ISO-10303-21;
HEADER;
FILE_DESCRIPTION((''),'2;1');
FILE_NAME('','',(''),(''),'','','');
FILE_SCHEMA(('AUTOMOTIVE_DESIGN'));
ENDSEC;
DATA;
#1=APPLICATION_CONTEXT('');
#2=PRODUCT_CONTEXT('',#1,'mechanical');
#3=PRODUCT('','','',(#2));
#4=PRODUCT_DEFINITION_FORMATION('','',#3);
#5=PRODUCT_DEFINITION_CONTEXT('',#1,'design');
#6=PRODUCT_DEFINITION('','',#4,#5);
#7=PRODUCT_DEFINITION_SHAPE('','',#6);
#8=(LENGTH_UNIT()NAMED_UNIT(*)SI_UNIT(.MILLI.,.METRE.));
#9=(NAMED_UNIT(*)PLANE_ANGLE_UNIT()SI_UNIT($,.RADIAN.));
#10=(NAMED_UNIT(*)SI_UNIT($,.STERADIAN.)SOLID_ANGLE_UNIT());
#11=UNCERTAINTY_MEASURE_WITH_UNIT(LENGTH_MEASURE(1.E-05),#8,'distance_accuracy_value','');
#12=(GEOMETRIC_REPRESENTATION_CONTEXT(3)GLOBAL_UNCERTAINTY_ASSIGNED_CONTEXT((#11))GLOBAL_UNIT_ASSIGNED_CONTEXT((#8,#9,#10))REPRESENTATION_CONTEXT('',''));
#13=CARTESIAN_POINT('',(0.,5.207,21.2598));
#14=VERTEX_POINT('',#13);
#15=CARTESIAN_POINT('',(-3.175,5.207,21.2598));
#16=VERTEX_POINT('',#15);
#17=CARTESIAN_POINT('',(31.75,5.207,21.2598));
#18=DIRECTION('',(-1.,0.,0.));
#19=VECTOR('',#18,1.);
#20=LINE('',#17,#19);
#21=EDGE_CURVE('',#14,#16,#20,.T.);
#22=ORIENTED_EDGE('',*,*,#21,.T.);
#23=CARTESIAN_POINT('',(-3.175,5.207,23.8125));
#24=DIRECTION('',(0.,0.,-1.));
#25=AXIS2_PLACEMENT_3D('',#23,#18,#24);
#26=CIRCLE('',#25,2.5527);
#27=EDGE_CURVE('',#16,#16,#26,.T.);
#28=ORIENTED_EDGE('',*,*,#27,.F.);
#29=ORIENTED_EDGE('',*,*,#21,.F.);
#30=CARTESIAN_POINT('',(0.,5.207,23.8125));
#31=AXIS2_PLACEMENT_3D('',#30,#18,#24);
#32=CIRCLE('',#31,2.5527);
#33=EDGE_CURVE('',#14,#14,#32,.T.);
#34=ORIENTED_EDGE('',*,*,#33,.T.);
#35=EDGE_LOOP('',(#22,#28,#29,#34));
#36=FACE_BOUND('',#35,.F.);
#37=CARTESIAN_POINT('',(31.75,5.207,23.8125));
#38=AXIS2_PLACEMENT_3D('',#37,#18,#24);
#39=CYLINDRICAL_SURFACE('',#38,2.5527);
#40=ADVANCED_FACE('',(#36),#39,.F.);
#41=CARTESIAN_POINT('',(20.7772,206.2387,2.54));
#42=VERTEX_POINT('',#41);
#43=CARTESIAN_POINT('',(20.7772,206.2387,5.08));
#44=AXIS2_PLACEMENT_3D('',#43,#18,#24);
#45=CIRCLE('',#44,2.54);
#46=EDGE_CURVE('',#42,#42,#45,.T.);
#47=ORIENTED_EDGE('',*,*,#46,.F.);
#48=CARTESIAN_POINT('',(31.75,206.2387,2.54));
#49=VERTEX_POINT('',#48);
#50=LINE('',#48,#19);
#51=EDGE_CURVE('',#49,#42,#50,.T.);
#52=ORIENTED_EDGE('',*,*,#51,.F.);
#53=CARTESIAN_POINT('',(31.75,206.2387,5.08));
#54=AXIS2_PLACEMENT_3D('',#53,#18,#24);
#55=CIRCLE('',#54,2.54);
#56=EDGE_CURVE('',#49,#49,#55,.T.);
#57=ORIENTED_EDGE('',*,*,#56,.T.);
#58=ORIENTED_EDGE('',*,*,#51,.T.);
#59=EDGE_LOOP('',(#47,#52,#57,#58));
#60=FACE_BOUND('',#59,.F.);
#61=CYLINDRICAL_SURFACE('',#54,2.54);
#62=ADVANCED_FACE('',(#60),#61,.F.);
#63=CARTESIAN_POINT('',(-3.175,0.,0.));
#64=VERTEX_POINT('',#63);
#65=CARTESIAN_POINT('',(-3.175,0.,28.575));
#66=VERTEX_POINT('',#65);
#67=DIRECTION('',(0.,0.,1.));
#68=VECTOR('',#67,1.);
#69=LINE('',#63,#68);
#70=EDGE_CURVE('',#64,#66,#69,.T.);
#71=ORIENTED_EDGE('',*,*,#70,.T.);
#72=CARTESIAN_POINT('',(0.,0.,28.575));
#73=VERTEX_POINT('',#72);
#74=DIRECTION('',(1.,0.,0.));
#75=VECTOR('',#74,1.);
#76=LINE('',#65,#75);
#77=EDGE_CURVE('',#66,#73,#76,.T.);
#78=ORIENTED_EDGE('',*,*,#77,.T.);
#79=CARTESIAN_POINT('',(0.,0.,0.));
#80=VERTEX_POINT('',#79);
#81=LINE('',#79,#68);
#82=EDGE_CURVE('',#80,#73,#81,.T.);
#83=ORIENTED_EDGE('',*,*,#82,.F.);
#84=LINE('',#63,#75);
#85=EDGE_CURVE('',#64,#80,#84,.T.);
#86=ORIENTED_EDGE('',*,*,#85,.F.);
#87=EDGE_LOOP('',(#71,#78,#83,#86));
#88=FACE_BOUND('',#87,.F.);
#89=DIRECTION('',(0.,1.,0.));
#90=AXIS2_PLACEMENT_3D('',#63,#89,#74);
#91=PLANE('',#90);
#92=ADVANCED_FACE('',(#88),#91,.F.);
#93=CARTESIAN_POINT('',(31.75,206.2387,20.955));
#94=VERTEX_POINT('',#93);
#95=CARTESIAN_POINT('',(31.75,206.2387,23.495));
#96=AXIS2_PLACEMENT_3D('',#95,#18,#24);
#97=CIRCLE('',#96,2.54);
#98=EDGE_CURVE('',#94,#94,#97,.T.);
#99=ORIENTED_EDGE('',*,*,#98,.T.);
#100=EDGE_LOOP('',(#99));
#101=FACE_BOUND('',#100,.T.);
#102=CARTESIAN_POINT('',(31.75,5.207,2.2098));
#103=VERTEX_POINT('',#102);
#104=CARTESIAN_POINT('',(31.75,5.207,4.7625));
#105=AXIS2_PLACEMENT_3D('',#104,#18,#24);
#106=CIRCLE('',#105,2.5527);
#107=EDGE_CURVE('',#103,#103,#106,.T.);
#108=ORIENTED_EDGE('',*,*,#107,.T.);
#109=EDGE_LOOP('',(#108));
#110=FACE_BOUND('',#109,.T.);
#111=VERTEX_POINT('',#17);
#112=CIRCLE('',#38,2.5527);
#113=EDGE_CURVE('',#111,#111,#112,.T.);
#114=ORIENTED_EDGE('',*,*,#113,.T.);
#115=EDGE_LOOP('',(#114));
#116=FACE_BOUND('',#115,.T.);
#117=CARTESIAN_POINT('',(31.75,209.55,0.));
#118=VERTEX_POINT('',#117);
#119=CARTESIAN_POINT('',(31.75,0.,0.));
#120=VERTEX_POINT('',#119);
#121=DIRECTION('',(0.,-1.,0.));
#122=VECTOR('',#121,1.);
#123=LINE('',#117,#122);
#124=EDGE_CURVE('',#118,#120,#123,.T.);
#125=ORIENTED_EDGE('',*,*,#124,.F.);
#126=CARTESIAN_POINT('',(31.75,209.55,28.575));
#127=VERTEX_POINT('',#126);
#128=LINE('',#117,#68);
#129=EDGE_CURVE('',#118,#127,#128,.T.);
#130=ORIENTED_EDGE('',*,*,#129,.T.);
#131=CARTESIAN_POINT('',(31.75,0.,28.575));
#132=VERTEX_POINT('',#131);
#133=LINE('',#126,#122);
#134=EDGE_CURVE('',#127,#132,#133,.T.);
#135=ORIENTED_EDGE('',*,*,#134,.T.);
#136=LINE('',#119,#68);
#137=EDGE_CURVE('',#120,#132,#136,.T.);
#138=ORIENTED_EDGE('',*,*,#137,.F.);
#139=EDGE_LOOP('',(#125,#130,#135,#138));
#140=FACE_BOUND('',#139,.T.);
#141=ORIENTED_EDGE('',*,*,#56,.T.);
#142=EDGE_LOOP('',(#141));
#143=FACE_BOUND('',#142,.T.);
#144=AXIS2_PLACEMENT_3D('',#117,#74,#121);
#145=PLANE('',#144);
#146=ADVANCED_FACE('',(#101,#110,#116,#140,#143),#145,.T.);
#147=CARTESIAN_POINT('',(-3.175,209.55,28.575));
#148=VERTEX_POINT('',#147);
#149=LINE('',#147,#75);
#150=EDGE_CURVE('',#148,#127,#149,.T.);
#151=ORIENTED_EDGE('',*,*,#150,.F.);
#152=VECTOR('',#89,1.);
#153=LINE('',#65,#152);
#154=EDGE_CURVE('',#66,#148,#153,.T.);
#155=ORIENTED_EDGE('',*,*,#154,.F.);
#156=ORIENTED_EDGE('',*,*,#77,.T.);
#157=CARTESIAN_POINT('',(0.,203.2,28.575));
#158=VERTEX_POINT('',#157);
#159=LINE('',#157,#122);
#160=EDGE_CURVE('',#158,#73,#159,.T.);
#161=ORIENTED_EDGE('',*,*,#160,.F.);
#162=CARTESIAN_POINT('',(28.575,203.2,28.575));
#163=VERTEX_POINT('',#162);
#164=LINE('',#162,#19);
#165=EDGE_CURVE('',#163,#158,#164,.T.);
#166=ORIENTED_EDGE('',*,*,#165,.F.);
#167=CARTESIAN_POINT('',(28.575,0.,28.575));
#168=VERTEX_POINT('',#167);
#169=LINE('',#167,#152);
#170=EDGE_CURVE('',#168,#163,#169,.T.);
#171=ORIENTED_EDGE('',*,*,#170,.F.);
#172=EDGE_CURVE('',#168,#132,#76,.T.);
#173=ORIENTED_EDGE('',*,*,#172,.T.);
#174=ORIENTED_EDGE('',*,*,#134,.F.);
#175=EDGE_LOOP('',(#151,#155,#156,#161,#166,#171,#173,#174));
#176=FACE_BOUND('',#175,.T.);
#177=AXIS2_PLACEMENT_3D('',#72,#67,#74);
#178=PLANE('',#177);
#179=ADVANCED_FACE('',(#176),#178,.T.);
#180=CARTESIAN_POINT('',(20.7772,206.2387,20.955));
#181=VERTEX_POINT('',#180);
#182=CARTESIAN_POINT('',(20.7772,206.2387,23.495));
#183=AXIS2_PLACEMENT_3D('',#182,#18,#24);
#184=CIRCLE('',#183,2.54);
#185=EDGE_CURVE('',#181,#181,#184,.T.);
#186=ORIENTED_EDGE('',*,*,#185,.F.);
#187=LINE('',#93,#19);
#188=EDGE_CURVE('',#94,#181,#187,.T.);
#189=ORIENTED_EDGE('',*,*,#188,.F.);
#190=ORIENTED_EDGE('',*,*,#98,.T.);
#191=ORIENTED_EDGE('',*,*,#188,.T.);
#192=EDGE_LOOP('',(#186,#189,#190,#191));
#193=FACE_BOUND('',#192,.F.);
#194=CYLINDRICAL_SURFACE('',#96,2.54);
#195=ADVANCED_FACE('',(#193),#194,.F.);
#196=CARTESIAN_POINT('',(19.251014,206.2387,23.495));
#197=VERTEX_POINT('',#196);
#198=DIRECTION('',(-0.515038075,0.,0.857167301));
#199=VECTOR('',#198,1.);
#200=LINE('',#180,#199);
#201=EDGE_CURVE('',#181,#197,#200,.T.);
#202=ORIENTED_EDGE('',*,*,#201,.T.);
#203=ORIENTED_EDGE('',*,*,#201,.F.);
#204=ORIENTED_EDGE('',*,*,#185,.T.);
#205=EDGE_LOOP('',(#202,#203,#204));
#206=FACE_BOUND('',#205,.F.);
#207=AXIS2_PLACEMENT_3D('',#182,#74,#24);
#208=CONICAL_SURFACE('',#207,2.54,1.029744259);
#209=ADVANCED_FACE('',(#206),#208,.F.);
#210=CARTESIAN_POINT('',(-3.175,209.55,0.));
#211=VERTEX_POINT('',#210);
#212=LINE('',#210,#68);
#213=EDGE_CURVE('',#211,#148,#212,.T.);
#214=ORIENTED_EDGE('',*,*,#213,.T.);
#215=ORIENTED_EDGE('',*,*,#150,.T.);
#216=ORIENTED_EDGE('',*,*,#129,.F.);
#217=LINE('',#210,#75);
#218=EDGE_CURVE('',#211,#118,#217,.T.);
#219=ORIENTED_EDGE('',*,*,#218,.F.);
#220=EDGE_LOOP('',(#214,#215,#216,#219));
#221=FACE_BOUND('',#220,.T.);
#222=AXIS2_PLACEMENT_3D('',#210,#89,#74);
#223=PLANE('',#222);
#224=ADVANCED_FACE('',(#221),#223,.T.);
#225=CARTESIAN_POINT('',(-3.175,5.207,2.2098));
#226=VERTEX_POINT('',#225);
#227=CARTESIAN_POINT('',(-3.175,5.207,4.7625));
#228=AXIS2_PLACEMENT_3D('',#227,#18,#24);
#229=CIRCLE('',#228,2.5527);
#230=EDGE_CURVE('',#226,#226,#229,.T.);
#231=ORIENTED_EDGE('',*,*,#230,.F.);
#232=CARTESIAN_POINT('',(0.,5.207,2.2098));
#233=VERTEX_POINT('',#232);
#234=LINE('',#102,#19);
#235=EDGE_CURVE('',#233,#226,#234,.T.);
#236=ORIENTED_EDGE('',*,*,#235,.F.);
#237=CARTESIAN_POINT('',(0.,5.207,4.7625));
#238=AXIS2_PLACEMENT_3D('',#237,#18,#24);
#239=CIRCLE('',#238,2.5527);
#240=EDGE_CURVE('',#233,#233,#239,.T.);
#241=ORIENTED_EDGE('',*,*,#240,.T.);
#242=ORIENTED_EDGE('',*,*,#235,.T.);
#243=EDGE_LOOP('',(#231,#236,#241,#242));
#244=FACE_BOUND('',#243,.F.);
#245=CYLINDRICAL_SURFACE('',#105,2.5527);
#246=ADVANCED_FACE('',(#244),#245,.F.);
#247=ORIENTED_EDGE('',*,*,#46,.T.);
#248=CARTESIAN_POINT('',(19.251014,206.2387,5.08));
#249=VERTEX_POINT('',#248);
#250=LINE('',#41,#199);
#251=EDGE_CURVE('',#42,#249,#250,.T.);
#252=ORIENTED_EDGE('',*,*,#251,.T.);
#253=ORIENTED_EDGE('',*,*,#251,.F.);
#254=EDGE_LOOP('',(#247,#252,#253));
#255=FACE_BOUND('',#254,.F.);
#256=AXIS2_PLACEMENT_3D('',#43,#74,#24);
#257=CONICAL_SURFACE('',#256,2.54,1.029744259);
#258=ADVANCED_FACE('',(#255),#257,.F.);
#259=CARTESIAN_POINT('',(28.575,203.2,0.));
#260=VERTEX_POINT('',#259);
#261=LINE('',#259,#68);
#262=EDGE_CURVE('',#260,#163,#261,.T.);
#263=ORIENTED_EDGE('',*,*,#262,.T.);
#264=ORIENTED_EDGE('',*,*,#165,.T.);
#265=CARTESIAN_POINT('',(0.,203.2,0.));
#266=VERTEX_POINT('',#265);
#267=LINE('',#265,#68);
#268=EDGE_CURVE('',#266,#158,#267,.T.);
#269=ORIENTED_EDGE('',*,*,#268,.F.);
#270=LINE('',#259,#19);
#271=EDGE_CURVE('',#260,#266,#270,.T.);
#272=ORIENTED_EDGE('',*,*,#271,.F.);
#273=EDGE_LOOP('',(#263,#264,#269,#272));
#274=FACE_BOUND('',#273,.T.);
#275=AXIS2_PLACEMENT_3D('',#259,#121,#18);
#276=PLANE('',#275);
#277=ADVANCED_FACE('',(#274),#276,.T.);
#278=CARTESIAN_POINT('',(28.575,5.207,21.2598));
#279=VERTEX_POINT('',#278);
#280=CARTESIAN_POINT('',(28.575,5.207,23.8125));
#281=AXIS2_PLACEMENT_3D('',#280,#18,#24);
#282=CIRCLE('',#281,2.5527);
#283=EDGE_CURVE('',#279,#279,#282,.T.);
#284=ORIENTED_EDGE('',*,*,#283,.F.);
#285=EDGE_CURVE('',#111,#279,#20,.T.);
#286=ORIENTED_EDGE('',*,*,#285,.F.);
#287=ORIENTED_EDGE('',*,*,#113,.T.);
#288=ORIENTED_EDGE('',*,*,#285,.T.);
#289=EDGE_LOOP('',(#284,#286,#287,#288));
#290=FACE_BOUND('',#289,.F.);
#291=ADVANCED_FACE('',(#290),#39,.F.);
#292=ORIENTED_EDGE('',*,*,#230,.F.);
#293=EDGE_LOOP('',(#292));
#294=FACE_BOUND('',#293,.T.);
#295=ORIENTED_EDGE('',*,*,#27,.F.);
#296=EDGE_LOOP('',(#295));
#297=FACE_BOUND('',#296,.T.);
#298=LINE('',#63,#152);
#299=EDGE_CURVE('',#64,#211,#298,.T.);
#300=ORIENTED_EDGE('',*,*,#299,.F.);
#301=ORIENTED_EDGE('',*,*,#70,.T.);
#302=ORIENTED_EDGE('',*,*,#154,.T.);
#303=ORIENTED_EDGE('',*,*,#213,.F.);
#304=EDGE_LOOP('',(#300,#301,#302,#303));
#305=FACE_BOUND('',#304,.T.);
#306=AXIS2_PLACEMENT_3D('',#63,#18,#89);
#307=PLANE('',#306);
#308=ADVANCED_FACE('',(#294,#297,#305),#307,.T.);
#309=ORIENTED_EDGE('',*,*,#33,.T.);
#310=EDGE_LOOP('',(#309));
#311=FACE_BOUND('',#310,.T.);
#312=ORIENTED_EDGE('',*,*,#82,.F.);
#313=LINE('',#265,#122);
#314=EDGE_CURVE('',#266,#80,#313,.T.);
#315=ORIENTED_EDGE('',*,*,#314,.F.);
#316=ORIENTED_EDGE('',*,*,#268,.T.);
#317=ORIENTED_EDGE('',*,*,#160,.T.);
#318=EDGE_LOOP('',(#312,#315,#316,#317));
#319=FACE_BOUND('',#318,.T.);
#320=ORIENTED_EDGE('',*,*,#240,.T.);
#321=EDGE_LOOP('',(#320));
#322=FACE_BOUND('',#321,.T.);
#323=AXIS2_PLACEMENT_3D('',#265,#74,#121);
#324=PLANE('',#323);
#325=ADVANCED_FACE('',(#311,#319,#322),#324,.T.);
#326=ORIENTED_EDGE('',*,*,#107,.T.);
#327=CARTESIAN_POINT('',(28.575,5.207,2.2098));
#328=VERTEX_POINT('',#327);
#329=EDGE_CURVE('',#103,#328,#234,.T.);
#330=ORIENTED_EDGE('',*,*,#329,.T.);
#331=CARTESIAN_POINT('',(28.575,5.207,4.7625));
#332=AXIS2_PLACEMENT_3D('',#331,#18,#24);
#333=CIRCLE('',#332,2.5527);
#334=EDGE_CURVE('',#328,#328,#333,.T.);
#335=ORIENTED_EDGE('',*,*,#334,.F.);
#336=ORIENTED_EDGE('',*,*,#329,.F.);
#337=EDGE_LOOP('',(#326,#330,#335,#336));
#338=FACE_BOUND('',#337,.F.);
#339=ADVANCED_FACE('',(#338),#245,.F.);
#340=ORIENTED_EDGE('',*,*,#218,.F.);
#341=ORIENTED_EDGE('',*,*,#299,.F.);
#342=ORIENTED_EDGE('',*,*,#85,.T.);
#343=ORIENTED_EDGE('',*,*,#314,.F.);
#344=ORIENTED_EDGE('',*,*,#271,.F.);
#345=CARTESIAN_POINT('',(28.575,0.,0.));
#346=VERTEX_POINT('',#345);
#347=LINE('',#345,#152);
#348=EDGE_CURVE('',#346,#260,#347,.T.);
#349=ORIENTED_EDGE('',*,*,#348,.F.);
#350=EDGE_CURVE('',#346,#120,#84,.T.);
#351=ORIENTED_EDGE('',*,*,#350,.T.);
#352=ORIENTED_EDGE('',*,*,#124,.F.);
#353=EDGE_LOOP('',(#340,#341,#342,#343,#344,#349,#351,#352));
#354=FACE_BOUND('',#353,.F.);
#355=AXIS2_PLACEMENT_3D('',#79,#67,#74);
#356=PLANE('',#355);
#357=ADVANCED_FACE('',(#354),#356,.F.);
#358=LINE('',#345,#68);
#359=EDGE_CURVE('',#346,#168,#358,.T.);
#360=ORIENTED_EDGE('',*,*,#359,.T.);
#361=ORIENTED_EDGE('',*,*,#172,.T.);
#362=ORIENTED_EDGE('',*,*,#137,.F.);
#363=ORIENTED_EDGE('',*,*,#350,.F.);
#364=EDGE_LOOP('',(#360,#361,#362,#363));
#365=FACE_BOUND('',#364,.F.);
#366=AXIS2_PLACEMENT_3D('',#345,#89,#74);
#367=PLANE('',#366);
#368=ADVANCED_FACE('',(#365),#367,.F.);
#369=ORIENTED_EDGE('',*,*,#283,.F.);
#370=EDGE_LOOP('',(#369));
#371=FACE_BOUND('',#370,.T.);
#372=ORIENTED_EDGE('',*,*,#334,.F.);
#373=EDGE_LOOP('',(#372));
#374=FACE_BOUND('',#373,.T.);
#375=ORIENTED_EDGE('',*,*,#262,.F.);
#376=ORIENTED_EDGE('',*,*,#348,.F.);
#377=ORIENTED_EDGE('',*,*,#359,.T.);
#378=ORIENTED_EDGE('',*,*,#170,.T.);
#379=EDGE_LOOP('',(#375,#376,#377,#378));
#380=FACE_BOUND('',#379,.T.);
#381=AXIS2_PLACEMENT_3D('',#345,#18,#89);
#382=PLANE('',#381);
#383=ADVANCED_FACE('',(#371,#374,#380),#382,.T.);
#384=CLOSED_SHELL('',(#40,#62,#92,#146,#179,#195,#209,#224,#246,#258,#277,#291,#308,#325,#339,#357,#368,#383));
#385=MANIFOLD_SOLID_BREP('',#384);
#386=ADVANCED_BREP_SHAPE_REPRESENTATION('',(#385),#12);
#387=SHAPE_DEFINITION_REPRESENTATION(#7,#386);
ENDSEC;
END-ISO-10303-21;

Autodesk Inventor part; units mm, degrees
ref_plane "YZ Plane" through (0, 0, 0) normal (1, 0, 0) x (0, 1, 0)
ref_plane "XZ Plane" through (0, 0, 0) normal (0, 1, 0) x (-1, 0, 0)
ref_plane "XY Plane" through (0, 0, 0) normal (0, 0, 1) x (1, 0, 0)
sketch "Sketch1" plane through (0, 0, 0) normal (0, 0, 1) x (1, 0, 0)
  line L0 (0, 0) -> (28.575, 0)
  line L1 (28.575, 0) -> (28.575, 203.2)
  line L2 (28.575, 203.2) -> (0, 203.2)
  line L3 (0, 203.2) -> (0, 0)
  line L4 (31.75, 209.55) -> (31.75, 0)
  line L5 (-3.175, 0) -> (-3.175, 209.55)
  line L6 (-3.175, 209.55) -> (31.75, 209.55)
  line L7 (-3.175, 0) -> (31.75, 0)
  dimension "d0" = 28.575
  dimension "d1" = 203.2
  dimension "d2" = 3.175
  dimension "d24" = 6.35
  dimension "d25" = 3.175
extrude "Extrusion1" add sketch "Sketch1" along normal blind 28.575 contours L7 L5 L6 L4 L1 L2 L3
sketch "Sketch2" plane through (31.75, 0, 0) normal (1, 0, 0) x (0, 0, -1)
  line L0 (0, 0) -> (-28.575, 0) projected
  line L1 (0, 209.55) -> (0, 0) projected
  point P0 (-23.8125, 5.207)
  point P1 (-4.7625, 5.207)
  dimension "d5" = 5.207
  dimension "d6" = 19.05
  dimension "d7" = 28.575
  dimension "d8" = 4.7625
hole "Hole1" at (31.75, 5.207, 23.8125) at (31.75, 5.207, 4.7625) direction (-1, 0, 0) diameter 5.1054 end through all clearance for "Flat Head Machine Screw (82)" size "#10" standard "Ansi Unified Screw Threads"
sketch "Sketch4" plane through (31.75, 0, 0) normal (1, 0, 0) x (0, 0, -1)
  line L0 (-28.575, 0) -> (-28.575, 209.55) projected
  line L1 (0, 209.55) -> (0, 0) projected
  point P0 (-23.495, 206.2387)
  point P1 (-5.08, 206.2387)
  dimension "d26" = 5.08
  dimension "d27" = 5.08
  dimension "d28" = 18.415
hole "Hole3" at (31.75, 206.2387, 23.495) at (31.75, 206.2387, 5.08) direction (-1, 0, 0) diameter 5.08 depth 10.9728 tip angle 118
equation "\"d8\" = -0.5 * d6 + 0.5 * d7"
equation "\"d27\" = d26"
properties material "Aluminum 6061"
